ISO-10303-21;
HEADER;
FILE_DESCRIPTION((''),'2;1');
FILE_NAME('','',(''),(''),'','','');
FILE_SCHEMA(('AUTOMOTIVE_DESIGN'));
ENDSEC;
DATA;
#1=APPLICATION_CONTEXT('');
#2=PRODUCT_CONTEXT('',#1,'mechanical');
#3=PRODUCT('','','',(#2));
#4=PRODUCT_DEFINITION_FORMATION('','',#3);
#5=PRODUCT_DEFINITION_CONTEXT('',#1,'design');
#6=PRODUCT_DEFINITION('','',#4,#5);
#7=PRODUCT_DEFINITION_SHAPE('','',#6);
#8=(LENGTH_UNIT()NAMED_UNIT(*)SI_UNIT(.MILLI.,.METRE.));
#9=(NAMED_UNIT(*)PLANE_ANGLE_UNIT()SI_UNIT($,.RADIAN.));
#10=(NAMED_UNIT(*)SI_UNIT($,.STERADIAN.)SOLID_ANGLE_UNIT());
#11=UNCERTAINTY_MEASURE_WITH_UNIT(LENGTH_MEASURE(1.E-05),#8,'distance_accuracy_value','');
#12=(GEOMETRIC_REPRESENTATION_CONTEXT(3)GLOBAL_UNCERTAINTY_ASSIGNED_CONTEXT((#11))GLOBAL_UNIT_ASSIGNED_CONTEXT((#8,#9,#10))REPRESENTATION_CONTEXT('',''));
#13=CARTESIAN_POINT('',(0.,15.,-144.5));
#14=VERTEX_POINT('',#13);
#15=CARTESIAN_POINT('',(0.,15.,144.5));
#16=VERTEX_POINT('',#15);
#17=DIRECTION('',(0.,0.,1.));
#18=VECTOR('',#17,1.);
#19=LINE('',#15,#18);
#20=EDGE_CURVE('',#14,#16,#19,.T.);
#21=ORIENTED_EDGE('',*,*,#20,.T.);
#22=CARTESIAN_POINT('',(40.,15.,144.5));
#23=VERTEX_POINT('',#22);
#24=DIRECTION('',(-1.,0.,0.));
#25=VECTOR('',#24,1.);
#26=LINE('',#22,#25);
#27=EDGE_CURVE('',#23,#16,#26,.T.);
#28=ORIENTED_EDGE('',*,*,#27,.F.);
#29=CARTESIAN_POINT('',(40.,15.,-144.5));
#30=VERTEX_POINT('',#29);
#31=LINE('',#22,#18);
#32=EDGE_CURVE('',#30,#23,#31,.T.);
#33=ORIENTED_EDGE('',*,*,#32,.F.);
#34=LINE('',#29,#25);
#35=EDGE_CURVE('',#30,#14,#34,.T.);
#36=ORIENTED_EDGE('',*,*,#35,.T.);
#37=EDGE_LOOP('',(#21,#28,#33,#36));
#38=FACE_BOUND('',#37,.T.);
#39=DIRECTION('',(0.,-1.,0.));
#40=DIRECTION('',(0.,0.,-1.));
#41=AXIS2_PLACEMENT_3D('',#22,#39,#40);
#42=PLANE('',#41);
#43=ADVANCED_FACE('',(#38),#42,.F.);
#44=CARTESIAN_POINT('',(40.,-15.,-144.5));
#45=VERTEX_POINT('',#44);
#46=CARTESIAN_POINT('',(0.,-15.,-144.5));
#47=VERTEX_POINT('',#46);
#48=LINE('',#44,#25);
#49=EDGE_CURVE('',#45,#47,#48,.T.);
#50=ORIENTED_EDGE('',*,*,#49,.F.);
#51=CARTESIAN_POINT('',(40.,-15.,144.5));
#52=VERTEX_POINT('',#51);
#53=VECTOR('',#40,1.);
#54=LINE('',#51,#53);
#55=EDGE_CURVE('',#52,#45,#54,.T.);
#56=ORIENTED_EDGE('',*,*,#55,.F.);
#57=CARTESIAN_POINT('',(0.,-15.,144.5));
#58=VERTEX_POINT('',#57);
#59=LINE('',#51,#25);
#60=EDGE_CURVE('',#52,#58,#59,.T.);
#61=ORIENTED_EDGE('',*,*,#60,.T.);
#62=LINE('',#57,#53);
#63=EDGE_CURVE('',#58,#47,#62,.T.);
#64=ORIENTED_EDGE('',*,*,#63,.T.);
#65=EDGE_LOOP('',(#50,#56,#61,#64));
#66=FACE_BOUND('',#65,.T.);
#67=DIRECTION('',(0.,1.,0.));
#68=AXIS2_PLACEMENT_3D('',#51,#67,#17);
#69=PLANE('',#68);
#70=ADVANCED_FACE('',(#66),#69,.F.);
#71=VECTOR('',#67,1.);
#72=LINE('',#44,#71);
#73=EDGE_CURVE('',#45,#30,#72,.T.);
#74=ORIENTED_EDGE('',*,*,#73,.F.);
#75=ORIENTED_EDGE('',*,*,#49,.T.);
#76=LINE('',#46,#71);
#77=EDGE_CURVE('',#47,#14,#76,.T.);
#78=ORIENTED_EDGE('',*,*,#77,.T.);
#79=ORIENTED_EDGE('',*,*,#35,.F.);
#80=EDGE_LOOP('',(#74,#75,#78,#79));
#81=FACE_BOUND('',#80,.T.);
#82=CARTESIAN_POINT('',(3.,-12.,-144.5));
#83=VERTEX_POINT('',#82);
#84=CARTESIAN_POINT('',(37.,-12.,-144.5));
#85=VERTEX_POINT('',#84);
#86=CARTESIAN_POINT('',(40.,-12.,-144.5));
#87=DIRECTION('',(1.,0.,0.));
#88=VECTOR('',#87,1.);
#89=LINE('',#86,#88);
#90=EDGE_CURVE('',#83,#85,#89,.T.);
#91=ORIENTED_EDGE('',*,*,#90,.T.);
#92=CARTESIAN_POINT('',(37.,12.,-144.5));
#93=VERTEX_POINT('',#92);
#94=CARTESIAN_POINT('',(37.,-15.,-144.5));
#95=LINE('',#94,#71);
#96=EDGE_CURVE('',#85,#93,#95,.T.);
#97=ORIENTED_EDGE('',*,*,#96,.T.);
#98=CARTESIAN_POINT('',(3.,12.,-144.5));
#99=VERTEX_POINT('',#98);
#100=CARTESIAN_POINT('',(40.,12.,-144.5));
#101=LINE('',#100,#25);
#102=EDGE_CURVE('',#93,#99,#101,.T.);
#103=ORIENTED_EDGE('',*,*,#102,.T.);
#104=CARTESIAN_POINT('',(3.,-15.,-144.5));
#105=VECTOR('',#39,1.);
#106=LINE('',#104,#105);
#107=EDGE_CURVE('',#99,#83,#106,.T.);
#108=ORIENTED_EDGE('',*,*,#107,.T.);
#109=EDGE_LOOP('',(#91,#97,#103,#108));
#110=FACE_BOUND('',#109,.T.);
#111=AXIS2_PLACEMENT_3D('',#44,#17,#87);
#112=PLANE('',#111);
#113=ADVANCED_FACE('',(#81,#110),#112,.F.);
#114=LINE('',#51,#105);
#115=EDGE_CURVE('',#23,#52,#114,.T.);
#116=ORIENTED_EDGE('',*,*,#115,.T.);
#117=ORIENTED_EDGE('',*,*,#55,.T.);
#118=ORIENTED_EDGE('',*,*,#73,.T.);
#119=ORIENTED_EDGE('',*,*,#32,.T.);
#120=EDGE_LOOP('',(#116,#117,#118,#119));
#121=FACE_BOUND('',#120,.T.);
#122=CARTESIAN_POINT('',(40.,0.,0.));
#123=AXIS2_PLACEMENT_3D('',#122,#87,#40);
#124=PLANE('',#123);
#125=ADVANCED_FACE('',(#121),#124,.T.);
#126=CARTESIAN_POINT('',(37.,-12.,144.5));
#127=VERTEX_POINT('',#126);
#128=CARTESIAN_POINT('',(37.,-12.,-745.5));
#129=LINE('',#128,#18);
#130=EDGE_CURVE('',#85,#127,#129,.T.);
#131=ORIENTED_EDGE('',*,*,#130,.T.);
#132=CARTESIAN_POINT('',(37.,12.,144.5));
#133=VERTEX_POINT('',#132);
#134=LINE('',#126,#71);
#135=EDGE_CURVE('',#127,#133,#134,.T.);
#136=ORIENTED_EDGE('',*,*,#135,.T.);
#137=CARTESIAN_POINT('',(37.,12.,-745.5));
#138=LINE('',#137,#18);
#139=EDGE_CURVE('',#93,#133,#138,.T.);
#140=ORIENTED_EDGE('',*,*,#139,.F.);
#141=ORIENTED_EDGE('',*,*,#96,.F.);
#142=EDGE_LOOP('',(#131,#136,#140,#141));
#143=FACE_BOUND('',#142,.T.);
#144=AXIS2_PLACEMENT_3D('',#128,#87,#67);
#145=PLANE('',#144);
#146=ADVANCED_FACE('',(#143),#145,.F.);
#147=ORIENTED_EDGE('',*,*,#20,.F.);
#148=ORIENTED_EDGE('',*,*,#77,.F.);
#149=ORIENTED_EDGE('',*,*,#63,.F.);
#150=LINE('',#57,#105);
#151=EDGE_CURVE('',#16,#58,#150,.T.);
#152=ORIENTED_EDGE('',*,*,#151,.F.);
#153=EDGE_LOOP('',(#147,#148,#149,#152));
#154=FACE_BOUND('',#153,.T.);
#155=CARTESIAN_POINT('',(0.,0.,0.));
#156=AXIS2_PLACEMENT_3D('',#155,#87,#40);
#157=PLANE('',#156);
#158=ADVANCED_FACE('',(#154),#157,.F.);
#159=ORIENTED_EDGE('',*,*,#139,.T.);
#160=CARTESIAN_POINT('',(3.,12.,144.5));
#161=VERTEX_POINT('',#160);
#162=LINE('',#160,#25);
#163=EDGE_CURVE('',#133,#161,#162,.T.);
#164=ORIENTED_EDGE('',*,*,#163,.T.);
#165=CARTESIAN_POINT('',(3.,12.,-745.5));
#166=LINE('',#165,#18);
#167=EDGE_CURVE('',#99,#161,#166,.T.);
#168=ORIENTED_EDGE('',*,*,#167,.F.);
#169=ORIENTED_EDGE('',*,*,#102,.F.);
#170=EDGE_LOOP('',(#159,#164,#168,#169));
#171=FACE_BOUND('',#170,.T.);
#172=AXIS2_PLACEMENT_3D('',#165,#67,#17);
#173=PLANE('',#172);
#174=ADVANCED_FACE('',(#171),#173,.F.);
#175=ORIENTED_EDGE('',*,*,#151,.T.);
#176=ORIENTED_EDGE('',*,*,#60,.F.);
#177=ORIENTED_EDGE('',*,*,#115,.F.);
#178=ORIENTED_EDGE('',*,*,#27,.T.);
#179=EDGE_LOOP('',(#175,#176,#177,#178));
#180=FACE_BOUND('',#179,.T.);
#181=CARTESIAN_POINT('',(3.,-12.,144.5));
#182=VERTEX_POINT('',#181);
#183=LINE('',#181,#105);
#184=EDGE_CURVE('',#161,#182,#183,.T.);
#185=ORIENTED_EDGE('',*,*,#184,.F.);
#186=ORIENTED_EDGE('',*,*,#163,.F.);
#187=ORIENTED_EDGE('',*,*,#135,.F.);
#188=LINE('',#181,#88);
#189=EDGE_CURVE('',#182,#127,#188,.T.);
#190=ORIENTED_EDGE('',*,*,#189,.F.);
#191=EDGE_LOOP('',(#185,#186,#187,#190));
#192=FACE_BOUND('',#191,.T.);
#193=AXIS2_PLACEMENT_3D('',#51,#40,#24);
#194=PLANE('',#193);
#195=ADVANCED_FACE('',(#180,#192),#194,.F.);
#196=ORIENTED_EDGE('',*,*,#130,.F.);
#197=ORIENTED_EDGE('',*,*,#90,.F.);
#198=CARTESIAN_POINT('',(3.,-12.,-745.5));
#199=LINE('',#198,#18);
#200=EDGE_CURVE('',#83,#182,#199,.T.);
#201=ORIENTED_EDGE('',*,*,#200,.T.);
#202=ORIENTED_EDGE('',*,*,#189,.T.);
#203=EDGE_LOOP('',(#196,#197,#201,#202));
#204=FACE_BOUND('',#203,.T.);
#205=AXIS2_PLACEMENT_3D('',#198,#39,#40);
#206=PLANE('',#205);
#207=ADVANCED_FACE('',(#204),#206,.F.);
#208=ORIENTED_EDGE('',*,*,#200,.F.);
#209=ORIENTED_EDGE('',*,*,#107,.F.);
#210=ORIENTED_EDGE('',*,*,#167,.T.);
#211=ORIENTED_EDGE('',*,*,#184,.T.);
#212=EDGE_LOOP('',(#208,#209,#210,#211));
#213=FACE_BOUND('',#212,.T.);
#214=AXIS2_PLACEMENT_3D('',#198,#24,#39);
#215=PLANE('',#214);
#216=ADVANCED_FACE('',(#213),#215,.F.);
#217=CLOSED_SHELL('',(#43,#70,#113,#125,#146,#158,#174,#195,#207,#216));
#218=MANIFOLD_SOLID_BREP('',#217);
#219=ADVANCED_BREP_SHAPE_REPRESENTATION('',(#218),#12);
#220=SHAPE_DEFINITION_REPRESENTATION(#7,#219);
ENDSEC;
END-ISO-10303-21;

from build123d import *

# Parameters (mm, degrees)
CROQUIS1_W              = 289
CROQUIS1_H              = 30
SALIENTE_EXTRUIR1_DEPTH = 40
CROQUIS2_W              = 34
CROQUIS2_H              = 24
CORTAR_EXTRUIR1_DEPTH   = 890


with BuildPart() as part:
    # Croquis1 → Saliente-Extruir1 (new body)
    with BuildSketch(Plane(origin=(0, 0, 0), x_dir=(0, 0, -1), z_dir=(1, 0, 0))):
        Rectangle(CROQUIS1_W, CROQUIS1_H)
    extrude(amount=SALIENTE_EXTRUIR1_DEPTH)

    # Croquis2 → Cortar-Extruir1 (cut)
    with BuildSketch(Plane.XY.offset(144.5)):
        with Locations((20, 0)):
            Rectangle(CROQUIS2_W, CROQUIS2_H)
    extrude(amount=-CORTAR_EXTRUIR1_DEPTH, mode=Mode.SUBTRACT)


solid = part.part
